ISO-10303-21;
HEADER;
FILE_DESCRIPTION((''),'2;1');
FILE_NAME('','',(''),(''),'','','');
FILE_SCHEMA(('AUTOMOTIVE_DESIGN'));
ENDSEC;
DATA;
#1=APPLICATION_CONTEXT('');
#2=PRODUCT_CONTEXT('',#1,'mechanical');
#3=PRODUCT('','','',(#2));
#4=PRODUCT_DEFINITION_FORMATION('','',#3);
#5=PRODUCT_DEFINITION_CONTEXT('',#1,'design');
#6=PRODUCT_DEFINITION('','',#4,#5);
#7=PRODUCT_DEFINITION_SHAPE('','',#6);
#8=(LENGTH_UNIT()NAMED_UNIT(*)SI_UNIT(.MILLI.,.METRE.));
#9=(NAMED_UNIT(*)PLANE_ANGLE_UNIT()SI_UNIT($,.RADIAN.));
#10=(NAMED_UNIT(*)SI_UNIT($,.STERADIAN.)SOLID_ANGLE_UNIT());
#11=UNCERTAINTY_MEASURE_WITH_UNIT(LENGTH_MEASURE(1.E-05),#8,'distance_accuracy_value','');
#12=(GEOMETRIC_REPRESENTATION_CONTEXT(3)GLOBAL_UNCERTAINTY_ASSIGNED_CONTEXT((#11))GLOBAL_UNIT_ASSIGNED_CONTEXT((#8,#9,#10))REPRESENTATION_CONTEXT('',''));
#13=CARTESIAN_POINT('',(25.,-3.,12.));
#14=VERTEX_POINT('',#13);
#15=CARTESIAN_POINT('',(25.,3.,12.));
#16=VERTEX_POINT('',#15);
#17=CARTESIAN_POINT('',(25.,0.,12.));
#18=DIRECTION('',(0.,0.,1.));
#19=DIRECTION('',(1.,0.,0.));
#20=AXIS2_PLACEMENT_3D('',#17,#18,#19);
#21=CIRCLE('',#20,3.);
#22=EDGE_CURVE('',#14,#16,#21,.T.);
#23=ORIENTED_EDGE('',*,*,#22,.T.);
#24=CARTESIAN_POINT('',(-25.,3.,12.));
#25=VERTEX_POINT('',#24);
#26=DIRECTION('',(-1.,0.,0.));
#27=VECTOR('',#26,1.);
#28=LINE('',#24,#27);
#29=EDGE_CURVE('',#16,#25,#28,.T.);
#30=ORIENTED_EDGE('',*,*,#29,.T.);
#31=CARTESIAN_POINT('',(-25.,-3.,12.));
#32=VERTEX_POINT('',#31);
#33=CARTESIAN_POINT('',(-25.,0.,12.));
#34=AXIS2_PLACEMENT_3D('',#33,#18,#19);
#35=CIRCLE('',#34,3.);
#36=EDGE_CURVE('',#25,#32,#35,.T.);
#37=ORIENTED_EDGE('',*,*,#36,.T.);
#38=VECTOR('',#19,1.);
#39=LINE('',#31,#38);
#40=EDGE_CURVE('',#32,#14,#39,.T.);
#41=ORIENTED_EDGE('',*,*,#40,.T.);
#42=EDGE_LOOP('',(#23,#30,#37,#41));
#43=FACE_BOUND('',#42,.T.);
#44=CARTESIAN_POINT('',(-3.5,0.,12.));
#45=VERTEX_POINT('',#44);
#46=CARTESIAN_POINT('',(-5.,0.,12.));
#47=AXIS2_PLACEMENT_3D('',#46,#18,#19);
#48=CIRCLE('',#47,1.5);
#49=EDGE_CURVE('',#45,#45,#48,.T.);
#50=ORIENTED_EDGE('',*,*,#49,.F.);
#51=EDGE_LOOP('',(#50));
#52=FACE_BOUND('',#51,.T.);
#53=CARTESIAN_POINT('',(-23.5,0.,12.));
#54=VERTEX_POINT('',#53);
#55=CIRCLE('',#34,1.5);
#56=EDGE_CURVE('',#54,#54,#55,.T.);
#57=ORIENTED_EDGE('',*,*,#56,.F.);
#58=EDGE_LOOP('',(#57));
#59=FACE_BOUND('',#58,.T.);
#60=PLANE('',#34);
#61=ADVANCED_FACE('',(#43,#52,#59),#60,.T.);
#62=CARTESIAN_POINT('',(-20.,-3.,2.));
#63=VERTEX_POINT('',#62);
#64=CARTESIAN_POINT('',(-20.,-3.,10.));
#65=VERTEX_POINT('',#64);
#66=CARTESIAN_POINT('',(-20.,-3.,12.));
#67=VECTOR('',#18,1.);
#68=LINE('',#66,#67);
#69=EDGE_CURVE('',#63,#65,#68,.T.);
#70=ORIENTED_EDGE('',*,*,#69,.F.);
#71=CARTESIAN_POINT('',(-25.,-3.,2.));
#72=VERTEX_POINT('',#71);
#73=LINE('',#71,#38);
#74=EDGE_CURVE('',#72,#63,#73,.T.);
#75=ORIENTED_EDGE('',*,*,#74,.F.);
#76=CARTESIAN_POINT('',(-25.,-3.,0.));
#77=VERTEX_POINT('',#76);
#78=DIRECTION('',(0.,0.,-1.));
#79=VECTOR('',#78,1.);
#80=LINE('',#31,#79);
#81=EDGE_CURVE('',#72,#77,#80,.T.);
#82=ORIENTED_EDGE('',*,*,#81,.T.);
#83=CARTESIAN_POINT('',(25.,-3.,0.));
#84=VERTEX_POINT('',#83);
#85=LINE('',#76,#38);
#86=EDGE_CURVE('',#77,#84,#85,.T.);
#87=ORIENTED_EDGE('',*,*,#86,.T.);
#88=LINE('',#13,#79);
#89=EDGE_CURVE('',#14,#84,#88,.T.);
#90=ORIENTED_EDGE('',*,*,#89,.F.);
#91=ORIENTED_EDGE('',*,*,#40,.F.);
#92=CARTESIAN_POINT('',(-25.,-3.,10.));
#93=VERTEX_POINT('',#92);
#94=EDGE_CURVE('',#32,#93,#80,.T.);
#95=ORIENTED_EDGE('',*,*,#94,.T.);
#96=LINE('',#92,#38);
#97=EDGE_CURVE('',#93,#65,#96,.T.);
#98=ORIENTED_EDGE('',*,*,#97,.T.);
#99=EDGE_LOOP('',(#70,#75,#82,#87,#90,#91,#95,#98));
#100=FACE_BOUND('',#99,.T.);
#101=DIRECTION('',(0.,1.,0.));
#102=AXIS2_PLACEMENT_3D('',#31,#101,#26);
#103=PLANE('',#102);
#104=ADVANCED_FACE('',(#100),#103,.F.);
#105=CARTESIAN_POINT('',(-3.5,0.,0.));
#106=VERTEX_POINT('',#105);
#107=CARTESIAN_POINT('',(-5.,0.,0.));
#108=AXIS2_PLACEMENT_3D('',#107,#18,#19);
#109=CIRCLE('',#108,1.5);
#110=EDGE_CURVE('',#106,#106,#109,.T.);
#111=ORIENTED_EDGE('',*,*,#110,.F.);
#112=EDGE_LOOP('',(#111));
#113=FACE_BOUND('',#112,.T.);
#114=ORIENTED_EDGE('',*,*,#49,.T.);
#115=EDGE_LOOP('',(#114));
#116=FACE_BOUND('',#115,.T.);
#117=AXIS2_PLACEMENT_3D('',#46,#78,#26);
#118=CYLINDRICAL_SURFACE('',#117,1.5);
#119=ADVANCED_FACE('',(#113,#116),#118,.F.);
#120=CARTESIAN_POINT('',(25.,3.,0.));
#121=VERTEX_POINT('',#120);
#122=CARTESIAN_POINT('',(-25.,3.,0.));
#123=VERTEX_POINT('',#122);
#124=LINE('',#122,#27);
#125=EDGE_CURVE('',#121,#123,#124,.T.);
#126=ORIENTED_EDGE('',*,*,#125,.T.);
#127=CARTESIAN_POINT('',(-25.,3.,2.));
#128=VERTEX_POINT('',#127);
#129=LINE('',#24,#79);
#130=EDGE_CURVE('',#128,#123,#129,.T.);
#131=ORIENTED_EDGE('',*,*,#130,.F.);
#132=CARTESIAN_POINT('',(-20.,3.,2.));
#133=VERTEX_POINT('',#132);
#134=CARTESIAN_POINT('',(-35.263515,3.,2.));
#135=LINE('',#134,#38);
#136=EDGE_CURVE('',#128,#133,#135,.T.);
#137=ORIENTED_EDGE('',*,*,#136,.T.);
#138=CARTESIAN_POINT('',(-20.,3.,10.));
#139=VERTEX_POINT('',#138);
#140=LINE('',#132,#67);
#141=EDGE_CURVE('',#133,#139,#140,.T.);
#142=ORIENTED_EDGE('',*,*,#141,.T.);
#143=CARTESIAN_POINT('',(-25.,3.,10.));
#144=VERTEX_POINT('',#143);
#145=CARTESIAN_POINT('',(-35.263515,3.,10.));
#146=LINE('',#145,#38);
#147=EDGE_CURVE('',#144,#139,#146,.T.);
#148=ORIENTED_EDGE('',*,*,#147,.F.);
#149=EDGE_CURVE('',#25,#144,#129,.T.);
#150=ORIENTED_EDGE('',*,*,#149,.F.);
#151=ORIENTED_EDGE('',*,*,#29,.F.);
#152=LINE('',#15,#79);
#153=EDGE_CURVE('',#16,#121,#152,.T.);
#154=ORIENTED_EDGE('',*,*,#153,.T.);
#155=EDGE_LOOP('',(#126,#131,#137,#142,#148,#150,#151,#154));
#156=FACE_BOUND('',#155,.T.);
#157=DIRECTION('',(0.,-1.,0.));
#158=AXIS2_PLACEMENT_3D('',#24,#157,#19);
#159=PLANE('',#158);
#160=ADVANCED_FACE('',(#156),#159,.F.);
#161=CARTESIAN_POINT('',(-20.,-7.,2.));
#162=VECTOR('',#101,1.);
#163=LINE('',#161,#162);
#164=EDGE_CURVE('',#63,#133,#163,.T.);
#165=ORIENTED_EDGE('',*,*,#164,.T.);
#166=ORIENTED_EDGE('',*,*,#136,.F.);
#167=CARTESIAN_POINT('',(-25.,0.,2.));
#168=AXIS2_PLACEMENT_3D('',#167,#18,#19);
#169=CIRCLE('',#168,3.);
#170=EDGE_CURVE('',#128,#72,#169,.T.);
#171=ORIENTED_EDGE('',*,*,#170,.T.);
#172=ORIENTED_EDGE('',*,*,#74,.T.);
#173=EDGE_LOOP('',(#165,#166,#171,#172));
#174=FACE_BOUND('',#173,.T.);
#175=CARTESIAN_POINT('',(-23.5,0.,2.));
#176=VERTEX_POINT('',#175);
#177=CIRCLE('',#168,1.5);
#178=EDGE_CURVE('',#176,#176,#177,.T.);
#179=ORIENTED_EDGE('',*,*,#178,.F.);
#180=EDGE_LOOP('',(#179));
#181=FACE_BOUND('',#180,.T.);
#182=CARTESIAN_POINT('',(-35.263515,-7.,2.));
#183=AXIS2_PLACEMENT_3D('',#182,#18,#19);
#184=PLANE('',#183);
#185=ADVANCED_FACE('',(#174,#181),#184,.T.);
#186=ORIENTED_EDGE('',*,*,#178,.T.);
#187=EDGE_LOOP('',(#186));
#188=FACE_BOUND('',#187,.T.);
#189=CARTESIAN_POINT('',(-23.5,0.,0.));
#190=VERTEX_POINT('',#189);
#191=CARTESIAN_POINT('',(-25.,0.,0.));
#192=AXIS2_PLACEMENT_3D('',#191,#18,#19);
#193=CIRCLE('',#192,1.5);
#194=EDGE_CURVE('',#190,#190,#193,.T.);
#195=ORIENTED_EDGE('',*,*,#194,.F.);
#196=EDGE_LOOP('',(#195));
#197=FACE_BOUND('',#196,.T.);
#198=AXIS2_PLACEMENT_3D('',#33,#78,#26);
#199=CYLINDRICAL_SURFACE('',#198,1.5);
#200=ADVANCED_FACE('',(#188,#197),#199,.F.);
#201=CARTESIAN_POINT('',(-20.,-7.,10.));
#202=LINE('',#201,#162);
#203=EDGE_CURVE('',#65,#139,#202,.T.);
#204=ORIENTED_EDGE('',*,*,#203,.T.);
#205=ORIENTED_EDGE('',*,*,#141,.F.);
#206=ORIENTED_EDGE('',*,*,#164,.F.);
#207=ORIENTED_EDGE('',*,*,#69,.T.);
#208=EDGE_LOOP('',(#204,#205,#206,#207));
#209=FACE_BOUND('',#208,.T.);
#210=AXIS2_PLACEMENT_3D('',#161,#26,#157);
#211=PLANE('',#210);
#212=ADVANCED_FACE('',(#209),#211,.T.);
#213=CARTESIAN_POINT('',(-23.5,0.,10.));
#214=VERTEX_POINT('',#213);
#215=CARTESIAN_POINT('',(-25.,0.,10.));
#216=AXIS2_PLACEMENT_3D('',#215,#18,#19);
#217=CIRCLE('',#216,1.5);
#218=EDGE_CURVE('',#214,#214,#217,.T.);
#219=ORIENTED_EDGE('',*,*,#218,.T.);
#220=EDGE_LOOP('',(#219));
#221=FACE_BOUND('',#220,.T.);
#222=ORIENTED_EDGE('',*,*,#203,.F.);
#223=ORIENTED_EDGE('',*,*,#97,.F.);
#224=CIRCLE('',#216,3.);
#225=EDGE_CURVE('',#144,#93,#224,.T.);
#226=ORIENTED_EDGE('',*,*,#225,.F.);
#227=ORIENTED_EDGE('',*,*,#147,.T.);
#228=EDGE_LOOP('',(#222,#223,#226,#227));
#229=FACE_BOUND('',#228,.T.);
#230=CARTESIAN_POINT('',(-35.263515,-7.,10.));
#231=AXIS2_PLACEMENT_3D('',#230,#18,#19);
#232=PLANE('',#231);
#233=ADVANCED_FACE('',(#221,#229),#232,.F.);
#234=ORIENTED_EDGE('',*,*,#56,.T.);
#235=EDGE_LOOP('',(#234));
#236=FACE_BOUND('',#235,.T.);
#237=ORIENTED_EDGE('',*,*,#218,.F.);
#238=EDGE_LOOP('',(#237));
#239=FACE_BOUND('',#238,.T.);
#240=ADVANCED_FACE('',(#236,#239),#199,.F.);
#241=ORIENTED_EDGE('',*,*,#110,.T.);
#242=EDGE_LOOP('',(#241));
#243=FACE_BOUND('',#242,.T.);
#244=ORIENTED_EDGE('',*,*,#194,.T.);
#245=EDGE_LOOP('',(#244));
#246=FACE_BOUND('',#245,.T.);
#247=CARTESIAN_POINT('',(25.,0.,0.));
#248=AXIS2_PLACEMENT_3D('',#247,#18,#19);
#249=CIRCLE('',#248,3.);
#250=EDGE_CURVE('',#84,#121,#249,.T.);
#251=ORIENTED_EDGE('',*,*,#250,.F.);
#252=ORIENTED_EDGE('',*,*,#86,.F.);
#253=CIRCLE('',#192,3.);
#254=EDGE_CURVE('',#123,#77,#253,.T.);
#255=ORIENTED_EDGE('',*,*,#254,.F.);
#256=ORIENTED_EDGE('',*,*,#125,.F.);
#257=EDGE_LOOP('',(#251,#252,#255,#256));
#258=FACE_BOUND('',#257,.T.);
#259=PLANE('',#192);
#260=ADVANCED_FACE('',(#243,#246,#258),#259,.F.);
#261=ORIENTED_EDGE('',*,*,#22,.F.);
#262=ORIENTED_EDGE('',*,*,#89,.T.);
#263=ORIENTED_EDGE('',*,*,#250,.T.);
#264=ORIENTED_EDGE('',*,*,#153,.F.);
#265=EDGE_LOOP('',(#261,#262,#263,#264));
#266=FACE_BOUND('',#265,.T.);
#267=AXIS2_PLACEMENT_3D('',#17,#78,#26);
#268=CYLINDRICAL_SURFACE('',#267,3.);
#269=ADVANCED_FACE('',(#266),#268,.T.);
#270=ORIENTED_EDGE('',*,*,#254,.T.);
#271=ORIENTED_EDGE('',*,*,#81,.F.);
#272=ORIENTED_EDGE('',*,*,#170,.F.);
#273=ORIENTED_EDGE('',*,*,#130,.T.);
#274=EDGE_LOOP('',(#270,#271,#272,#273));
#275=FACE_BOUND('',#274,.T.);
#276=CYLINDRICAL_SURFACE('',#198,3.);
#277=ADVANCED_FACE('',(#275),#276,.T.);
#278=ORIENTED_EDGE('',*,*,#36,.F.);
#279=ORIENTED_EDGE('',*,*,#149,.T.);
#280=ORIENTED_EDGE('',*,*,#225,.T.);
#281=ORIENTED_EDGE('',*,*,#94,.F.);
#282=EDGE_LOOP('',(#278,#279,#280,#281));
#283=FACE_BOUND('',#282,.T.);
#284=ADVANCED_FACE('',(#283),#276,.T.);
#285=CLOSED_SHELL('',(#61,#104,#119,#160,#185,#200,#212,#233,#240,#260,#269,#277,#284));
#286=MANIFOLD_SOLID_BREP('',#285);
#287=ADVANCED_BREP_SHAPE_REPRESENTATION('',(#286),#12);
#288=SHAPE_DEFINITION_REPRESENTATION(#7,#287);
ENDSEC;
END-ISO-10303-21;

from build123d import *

# Parameters (mm, degrees)
SKETCH1_R           = 1.5
BOSS_EXTRUDE1_DEPTH = 12
SKETCH3_W           = 15.263515406
SKETCH3_H           = 8
CUT_EXTRUDE1_DEPTH  = 10


with BuildPart() as part:
    # Sketch1 → Boss-Extrude1 (new body)
    with BuildSketch(Plane.XY):
        with BuildLine():
            Line((-25, 3), (25, 3))
            ThreePointArc((25, 3), (28, 0), (25, -3))
            Line((25, -3), (-25, -3))
            ThreePointArc((-25, -3), (-28, 0), (-25, 3))
        make_face()
        with Locations((-25, 0)):
            Circle(SKETCH1_R, mode=Mode.SUBTRACT)
        with Locations((-5, 0)):
            Circle(SKETCH1_R, mode=Mode.SUBTRACT)
    extrude(amount=BOSS_EXTRUDE1_DEPTH)

    # Sketch3 → Cut-Extrude1 (cut)
    with BuildSketch(Plane(origin=(0, 3, 0), x_dir=(1, 0, 0), z_dir=(0, 1, 0))):
        with Locations((-27.631757703, -6)):
            Rectangle(SKETCH3_W, SKETCH3_H)
    extrude(amount=-CUT_EXTRUDE1_DEPTH, mode=Mode.SUBTRACT)


solid = part.part
